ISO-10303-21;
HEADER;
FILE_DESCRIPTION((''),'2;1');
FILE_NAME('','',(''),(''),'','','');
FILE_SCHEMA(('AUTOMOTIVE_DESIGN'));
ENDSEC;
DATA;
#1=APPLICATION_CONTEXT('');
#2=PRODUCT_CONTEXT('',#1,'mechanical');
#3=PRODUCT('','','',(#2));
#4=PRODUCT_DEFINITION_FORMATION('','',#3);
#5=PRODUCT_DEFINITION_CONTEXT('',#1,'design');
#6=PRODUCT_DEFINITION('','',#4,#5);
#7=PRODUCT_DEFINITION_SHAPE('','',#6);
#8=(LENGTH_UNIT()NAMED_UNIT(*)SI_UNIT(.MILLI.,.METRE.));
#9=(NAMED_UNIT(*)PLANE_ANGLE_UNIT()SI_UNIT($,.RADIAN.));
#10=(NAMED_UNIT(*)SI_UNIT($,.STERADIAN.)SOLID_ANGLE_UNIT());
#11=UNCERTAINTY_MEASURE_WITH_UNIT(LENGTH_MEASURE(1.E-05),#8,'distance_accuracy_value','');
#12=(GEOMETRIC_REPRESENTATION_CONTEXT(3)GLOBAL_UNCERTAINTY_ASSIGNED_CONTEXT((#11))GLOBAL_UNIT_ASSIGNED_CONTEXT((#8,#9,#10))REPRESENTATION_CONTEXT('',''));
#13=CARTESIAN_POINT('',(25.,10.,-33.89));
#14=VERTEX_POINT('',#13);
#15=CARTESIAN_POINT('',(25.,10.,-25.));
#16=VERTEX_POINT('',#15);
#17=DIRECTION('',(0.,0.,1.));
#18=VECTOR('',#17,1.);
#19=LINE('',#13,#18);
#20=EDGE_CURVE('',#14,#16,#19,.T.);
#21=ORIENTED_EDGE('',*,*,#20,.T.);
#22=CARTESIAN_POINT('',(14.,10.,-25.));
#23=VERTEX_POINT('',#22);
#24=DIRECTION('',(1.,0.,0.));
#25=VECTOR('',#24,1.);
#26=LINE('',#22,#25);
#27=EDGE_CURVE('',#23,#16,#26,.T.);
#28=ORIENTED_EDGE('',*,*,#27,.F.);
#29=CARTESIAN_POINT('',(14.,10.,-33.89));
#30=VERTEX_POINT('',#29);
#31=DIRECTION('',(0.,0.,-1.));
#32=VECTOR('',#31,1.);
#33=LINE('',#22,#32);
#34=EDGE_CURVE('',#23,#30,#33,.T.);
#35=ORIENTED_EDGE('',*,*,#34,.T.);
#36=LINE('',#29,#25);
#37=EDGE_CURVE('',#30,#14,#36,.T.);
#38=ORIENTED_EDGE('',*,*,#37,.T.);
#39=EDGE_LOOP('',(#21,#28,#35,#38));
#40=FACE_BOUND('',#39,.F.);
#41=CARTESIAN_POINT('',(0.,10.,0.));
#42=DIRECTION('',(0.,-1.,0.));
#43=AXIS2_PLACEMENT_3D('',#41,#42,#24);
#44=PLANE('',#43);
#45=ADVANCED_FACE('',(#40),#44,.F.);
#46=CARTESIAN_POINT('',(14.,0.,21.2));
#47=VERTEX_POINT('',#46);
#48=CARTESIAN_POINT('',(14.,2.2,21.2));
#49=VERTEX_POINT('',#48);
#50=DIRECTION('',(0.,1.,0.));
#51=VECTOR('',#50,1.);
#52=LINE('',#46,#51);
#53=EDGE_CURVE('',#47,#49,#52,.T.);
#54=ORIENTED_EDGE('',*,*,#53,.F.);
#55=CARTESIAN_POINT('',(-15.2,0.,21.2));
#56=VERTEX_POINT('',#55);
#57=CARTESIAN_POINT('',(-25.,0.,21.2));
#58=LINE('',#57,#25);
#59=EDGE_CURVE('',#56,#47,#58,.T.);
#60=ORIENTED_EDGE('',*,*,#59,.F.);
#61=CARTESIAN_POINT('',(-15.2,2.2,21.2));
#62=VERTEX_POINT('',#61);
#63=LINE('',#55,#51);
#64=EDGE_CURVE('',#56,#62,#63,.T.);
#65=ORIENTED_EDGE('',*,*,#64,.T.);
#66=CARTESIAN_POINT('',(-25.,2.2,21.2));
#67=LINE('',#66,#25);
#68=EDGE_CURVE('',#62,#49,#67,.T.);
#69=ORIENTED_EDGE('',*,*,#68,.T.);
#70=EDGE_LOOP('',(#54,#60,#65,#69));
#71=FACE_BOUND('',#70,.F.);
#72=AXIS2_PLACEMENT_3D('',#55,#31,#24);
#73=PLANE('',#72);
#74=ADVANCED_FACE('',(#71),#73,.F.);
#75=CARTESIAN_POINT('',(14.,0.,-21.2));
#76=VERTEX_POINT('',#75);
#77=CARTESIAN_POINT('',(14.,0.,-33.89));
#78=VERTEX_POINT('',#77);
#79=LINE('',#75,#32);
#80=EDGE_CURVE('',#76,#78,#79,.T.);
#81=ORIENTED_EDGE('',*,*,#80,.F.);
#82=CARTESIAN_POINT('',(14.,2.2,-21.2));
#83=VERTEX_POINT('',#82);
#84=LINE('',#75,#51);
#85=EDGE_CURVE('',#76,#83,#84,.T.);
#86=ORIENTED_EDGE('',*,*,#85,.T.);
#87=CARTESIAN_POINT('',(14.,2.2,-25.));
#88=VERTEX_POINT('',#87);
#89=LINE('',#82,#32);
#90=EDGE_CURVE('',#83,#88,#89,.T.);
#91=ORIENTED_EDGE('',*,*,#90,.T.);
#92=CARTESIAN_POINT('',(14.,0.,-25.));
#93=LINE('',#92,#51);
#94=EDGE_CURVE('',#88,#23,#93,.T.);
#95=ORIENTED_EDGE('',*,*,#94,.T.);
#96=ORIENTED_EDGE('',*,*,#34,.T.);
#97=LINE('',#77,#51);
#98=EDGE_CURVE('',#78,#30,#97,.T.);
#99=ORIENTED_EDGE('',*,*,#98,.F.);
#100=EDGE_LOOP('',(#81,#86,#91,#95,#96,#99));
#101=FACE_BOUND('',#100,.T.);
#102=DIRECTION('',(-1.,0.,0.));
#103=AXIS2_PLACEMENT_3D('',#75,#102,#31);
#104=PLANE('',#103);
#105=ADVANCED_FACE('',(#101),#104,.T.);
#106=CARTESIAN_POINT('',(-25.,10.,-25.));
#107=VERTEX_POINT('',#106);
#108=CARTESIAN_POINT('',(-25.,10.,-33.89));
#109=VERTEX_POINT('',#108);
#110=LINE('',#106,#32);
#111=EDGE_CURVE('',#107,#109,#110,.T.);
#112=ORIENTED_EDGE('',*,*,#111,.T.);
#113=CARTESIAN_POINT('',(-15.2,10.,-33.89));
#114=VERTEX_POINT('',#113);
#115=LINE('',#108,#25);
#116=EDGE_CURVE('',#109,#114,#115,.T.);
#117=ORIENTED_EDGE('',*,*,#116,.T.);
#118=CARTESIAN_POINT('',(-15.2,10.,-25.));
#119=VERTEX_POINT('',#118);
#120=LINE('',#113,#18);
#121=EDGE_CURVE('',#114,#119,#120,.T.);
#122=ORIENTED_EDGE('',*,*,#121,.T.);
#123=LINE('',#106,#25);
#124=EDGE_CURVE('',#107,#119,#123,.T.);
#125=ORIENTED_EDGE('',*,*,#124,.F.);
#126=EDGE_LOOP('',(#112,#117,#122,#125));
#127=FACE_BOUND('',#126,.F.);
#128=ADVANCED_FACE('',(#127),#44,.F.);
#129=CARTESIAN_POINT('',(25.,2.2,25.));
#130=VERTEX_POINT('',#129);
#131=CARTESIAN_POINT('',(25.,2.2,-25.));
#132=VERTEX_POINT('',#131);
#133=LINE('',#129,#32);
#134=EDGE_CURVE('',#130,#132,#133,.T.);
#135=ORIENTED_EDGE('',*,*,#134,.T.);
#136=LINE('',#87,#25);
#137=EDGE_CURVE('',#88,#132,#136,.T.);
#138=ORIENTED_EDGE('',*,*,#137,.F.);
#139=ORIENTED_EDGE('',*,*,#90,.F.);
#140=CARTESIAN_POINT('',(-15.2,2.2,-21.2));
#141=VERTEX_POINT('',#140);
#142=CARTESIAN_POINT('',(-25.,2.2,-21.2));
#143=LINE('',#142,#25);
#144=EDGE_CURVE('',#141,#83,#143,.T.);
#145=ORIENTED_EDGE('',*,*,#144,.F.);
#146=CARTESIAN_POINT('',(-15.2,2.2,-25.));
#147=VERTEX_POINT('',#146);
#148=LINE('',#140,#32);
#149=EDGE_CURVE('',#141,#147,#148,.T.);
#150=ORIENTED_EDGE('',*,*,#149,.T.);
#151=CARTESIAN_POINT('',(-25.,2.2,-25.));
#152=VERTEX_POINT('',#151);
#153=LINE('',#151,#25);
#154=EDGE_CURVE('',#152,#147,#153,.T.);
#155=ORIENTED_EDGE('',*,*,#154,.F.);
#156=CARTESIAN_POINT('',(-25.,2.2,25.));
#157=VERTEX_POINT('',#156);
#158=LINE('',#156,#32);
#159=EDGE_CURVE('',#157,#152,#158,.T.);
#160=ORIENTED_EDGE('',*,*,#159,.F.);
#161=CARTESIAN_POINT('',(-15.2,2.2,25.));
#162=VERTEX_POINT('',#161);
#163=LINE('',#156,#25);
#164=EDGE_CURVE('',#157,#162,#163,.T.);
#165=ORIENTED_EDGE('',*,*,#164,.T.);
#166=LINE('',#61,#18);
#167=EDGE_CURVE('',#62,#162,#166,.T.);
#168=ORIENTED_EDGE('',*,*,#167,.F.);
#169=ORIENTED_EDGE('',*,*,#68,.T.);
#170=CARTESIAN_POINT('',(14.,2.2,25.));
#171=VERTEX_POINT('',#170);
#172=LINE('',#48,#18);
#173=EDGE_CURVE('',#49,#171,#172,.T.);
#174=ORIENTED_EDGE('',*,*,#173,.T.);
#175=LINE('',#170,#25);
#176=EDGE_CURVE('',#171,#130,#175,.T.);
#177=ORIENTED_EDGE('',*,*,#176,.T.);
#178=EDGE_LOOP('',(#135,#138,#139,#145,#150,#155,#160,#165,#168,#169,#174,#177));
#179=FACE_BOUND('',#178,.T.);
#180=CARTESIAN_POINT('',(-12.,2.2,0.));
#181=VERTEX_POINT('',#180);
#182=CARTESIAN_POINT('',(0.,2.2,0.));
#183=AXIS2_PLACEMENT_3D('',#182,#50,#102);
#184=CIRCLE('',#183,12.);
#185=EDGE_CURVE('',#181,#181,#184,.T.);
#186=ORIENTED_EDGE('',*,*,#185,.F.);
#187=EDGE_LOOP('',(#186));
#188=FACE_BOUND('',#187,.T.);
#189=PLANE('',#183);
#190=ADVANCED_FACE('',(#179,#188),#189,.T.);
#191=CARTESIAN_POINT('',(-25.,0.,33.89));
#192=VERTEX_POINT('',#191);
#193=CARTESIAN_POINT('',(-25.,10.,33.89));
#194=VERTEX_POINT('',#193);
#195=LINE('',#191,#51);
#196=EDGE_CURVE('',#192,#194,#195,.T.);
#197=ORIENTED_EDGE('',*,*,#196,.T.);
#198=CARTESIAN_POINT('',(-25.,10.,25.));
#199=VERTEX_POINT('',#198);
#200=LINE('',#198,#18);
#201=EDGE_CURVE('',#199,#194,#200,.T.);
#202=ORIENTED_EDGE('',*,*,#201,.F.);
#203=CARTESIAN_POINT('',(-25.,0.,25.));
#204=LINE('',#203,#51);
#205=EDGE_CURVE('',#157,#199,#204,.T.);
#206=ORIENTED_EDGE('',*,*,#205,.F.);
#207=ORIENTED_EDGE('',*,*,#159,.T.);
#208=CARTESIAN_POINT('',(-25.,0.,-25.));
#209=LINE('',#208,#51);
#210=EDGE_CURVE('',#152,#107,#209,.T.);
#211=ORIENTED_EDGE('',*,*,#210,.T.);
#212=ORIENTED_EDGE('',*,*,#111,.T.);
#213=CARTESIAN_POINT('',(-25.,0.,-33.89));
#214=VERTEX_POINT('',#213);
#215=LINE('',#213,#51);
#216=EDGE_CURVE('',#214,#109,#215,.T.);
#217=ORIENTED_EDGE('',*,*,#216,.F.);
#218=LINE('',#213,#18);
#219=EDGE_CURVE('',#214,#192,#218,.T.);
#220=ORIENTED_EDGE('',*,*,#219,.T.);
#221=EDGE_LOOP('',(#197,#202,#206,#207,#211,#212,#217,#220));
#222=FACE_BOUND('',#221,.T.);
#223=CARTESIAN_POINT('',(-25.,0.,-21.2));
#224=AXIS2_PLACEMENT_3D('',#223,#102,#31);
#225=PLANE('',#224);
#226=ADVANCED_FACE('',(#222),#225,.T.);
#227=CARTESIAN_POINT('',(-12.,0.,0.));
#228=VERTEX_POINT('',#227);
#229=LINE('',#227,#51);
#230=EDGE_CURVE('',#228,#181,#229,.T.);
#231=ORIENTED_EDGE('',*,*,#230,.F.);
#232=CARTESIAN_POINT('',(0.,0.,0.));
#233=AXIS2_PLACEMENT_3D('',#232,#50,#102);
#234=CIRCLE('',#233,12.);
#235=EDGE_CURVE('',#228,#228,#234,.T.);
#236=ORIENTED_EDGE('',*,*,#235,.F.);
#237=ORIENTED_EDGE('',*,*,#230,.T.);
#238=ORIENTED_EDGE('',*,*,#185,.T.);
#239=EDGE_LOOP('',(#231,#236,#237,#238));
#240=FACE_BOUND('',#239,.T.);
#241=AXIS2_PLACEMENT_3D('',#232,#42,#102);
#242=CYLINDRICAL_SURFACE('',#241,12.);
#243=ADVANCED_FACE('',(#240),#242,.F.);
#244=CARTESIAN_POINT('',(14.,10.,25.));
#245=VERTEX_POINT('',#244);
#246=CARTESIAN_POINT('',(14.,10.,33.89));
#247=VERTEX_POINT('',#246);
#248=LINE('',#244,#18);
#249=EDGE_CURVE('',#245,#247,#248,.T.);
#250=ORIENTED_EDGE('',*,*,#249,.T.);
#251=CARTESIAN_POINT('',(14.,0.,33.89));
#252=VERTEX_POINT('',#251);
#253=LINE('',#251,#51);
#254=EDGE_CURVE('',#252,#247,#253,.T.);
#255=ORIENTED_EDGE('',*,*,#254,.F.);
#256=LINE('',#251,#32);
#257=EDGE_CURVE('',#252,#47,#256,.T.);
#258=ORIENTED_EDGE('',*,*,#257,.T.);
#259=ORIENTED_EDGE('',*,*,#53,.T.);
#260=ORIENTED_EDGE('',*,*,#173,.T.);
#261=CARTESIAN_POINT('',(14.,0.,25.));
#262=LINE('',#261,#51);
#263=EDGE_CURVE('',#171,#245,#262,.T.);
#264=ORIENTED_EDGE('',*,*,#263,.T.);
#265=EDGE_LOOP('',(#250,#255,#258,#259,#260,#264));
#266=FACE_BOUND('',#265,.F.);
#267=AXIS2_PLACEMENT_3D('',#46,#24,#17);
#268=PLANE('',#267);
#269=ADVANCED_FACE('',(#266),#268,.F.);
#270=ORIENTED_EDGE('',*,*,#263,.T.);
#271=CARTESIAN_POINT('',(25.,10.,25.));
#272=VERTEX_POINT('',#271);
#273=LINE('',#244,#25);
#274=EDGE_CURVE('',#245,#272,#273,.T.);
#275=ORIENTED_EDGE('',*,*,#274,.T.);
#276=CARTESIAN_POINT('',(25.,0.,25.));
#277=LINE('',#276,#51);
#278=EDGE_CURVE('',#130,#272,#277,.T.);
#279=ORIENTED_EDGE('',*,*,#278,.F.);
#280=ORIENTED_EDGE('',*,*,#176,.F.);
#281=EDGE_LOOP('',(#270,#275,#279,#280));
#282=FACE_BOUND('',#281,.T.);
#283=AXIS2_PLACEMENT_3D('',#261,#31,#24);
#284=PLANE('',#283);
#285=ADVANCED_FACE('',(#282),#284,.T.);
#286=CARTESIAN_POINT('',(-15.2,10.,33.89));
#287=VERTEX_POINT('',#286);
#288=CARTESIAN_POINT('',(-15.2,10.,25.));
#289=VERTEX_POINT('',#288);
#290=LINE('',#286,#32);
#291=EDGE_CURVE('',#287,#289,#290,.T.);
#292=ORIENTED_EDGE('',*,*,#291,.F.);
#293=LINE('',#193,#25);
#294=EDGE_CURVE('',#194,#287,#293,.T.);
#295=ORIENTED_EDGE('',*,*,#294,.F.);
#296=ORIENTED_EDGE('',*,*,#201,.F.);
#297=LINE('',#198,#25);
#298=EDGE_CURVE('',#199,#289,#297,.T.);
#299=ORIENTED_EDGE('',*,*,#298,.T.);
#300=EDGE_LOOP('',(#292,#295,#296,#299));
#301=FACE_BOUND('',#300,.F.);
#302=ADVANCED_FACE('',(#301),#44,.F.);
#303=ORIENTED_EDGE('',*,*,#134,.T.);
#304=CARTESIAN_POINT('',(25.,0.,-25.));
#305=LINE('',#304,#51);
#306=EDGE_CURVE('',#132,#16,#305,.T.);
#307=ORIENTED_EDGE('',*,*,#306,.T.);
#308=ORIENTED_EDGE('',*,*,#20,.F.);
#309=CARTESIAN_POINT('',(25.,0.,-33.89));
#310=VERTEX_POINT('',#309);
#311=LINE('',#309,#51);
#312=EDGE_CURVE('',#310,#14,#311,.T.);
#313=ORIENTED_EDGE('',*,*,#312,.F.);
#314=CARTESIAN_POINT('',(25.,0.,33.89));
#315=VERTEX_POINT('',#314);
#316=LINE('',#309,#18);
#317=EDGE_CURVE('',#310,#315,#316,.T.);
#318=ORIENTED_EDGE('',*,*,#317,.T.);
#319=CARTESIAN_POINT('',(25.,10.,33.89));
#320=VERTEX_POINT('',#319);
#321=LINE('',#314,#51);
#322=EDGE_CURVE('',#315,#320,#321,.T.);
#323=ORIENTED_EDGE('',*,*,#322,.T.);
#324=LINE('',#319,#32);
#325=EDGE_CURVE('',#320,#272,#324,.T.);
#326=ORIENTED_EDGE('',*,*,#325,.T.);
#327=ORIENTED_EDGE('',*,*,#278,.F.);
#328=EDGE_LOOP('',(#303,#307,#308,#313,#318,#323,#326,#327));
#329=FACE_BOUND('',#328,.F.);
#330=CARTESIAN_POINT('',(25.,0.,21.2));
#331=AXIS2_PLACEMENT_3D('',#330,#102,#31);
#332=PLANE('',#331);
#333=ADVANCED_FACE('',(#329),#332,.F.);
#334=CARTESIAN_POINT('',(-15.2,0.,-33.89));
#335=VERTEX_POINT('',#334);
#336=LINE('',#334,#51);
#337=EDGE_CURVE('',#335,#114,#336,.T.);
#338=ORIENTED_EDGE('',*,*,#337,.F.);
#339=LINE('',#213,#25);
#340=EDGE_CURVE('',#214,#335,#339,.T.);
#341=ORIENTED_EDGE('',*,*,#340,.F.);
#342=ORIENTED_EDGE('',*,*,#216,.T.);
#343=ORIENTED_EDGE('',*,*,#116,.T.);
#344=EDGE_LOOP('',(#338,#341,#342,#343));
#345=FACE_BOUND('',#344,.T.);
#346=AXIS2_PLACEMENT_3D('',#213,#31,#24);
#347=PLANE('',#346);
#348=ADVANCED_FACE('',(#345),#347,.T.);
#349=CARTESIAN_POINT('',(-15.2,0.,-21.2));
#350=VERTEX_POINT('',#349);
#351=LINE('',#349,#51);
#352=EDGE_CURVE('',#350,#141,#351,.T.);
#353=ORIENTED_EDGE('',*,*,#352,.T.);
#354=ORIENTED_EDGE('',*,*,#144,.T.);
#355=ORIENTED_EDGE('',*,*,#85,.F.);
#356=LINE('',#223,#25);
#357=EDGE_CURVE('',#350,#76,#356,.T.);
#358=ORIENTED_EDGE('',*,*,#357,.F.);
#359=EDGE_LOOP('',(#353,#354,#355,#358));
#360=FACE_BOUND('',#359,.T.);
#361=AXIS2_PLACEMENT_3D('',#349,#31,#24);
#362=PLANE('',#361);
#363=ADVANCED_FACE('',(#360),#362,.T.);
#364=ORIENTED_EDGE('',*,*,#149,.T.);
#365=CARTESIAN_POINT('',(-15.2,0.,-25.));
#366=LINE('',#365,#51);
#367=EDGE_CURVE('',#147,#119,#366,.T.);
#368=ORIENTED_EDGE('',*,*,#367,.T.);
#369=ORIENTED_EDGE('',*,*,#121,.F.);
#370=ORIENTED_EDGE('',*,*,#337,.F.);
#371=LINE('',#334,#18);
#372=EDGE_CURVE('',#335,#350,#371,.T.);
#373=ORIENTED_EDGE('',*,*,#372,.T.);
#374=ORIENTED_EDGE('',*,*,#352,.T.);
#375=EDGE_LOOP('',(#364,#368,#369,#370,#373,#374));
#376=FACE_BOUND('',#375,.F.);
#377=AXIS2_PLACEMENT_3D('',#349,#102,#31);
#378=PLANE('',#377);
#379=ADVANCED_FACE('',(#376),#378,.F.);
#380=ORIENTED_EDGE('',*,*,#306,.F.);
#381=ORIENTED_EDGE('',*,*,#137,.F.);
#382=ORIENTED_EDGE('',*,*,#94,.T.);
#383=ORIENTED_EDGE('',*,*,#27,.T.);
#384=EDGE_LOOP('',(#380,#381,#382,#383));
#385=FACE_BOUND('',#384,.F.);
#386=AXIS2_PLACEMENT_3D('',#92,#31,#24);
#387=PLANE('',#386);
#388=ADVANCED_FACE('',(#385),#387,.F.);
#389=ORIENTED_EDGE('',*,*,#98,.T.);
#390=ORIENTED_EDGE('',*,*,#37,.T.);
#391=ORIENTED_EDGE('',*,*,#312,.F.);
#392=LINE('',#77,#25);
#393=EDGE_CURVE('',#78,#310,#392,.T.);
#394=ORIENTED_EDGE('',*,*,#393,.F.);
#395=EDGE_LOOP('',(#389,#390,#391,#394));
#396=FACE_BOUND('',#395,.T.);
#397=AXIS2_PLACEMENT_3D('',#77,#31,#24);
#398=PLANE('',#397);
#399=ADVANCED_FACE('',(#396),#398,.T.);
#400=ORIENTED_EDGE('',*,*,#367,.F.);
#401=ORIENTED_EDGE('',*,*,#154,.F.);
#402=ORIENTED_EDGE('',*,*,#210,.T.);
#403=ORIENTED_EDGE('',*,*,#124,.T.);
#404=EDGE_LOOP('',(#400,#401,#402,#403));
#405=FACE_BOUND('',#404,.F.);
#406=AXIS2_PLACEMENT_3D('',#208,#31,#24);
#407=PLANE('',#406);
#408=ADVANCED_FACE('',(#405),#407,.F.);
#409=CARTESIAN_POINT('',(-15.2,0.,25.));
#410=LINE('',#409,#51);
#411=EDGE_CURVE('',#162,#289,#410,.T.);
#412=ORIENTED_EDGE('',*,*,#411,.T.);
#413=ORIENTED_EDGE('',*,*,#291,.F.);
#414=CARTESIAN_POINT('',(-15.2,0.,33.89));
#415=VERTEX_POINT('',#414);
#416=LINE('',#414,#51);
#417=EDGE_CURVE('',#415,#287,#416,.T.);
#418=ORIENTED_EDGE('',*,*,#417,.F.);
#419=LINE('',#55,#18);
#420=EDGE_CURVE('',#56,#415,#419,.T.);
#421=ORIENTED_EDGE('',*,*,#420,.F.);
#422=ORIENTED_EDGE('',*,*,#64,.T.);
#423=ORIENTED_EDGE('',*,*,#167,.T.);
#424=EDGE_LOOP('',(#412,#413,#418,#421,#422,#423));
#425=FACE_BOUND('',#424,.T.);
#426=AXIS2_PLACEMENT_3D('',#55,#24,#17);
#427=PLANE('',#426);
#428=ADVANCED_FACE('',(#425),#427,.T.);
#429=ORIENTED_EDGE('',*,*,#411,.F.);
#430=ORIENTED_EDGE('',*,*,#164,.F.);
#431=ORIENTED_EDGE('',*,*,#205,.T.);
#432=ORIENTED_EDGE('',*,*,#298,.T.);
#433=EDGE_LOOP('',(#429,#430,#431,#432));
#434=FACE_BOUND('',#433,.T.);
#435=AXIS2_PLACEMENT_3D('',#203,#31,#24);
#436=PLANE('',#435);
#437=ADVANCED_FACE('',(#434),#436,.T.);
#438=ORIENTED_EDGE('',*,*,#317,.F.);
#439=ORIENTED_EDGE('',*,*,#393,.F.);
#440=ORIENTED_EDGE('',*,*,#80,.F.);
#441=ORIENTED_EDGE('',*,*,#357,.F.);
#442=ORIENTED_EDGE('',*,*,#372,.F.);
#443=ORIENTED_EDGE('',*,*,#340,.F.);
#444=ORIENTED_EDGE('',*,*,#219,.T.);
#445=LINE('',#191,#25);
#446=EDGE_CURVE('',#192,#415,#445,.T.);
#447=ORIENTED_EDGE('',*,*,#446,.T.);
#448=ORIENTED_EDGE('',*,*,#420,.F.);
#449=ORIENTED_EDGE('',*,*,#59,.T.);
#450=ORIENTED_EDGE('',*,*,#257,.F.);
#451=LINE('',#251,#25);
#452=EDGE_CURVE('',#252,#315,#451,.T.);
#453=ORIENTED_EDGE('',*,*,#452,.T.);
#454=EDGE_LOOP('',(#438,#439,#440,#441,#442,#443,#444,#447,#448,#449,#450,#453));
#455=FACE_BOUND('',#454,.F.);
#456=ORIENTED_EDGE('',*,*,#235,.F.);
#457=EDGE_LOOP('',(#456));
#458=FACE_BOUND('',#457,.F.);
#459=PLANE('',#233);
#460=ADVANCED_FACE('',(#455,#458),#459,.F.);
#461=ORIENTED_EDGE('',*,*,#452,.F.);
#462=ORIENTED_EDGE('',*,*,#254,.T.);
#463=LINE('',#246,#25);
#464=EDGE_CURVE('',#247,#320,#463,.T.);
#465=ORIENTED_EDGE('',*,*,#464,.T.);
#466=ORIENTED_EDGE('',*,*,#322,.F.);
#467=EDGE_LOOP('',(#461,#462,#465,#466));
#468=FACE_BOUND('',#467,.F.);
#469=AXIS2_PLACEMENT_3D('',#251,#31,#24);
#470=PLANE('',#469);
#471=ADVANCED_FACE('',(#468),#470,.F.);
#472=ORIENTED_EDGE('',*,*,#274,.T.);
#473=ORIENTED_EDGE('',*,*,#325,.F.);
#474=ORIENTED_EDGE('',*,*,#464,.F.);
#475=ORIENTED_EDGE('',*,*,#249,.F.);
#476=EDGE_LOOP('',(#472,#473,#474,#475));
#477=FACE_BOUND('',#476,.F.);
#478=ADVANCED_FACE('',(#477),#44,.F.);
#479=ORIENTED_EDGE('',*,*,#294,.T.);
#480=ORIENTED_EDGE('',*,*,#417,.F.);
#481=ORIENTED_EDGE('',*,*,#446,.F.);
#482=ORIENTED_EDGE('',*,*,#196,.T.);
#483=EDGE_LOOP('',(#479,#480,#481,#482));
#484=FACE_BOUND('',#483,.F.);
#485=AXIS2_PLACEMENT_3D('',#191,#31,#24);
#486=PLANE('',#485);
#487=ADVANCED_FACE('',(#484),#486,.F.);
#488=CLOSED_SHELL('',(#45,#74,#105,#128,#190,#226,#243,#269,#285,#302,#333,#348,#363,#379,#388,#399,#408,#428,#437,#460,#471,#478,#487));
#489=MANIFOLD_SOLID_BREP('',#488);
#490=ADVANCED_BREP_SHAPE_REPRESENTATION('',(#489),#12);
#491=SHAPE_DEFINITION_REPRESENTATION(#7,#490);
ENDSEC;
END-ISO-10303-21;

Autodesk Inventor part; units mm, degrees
ref_plane "YZ Plane" through (0, 0, 0) normal (1, 0, 0) x (0, 1, 0)
ref_plane "XZ Plane" through (0, 0, 0) normal (0, 1, 0) x (-1, 0, 0)
ref_plane "XY Plane" through (0, 0, 0) normal (0, 0, 1) x (1, 0, 0)
sketch "Sketch1" plane through (0, 0, 0) normal (0, 1, 0) x (-1, 0, 0)
  circle A0 centre (0, 0) radius 12
  line L0 (25, -21.2) -> (-25, -21.2)
  line L1 (25, -21.2) -> (25, 21.2)
  line L2 (25, 21.2) -> (-25, 21.2)
  line L3 (-25, 21.2) -> (-25, -21.2)
  line L4 (25, 21.2) -> (25, 25)
  line L5 (15.2, 21.2) -> (15.2, 25)
  line L6 (25, -21.2) -> (25, -25)
  line L7 (15.2, -21.2) -> (15.2, -25)
  line L8 (25, -25) -> (15.2, -25)
  line L9 (25, 25) -> (15.2, 25)
  line L10 (-25, 21.2) -> (-25, 25)
  line L11 (-14, 21.2) -> (-14, 25)
  line L12 (-25, -21.2) -> (-25, -25)
  line L13 (-14, -21.2) -> (-14, -25)
  line L14 (-14, -25) -> (-25, -25)
  line L15 (-14, 25) -> (-25, 25)
  point P0 (25, 0)
  point P1 (0, -21.2)
  dimension "d0" = 24
  dimension "d4" = 50
  dimension "d5" = 42.4
  dimension "d8" = 9.8
  dimension "d10" = 50
  dimension "d11" = 11
extrude "Extrusion1" add sketch "Sketch1" along normal blind 2.2
sketch "Sketch2" plane through (0, 0, 0) normal (0, -1, 0) x (1, 0, 0)
  line L0 (25, 25) -> (25, -25) construction
  line L1 (-25, 25) -> (-15.2, 25) construction
  line L2 (-15.2, -25) -> (-25, -25) construction
  line L3 (25, -25) -> (14, -25) construction
  line L4 (-25, 25) -> (-15.2, 25)
  line L5 (-25, -25) -> (-15.2, -25)
  line L6 (25, -25) -> (14, -25) construction
  line L7 (14, -25) -> (25, -25)
  line L8 (14, 25) -> (25, 25) construction
  line L9 (14, 25) -> (25, 25)
  line L10 (-25, 25) -> (-25, 33.89)
  line L11 (-25, 33.89) -> (-15.2, 33.89)
  line L12 (-15.2, 33.89) -> (-15.2, 25)
  line L13 (14, 25) -> (14, 33.89)
  line L14 (14, 33.89) -> (25, 33.89)
  line L15 (25, 33.89) -> (25, 25)
  line L16 (-15.2, -25) -> (-25, -25) construction
  line L17 (-25, -25) -> (-25, -33.89)
  line L18 (-25, -33.89) -> (-15.2, -33.89)
  line L19 (-15.2, -33.89) -> (-15.2, -25)
  line L20 (14, -25) -> (14, -33.89)
  line L21 (14, -33.89) -> (25, -33.89)
  line L22 (25, -33.89) -> (25, -25)
  dimension "d12" = 8.89
  dimension "d13" = 8.89
  dimension "d14" = 8.89
  dimension "d15" = 8.89
extrude "Extrusion2" add sketch "Sketch2" against normal blind 10
properties part number "Cover"
